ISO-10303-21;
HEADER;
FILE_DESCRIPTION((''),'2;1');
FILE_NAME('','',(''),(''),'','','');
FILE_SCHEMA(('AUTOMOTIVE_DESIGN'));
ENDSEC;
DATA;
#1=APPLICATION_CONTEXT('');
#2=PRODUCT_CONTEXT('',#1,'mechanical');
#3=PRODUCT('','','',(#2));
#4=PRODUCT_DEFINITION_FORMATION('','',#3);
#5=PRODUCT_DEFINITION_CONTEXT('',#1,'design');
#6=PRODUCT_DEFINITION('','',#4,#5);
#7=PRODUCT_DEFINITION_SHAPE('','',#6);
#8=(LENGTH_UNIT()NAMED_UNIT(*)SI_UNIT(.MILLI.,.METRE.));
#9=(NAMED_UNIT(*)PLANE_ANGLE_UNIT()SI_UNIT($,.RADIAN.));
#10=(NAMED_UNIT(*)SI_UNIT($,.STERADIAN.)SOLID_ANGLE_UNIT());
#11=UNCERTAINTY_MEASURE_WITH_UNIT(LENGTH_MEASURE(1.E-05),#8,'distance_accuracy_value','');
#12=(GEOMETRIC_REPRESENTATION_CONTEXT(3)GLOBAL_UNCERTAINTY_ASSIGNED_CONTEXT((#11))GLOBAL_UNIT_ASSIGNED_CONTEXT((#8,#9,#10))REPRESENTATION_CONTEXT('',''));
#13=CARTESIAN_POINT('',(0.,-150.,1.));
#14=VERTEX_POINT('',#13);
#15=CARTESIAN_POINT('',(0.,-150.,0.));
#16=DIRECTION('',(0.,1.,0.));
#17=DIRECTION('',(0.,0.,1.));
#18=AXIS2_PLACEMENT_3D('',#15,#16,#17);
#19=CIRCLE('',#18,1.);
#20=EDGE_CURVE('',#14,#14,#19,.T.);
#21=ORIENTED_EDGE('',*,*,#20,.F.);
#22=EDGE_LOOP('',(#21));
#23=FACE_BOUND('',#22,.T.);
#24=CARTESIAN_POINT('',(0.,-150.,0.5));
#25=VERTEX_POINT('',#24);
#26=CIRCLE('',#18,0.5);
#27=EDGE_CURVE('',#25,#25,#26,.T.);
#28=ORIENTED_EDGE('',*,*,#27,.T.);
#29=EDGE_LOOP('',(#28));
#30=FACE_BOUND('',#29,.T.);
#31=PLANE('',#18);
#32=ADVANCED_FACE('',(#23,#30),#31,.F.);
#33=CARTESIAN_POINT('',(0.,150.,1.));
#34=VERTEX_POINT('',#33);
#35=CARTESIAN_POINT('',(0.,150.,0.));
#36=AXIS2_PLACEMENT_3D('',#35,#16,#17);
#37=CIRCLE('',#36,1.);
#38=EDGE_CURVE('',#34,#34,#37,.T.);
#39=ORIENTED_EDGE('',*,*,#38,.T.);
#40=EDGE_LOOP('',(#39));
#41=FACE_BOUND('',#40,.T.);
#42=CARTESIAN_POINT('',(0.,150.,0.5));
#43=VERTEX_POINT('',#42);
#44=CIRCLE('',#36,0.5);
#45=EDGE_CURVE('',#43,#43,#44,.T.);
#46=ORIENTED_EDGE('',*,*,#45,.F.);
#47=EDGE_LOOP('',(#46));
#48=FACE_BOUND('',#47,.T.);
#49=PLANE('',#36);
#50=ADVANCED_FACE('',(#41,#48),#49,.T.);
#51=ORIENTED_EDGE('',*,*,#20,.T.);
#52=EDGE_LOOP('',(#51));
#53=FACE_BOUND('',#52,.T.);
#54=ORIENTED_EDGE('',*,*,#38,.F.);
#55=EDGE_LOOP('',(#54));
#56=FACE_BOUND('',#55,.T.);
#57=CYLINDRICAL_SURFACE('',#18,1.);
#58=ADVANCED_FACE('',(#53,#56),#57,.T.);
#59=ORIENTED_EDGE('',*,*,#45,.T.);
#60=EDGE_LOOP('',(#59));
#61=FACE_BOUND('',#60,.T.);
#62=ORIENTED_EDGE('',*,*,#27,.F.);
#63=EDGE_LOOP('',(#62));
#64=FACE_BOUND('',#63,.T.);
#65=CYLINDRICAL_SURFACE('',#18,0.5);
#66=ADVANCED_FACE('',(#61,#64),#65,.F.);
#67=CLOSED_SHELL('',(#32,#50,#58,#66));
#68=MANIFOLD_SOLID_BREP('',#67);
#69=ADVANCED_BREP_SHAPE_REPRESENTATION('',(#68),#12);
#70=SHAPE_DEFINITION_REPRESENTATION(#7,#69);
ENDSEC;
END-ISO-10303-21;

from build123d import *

# Parameters (mm, degrees)
BOSS_EXTRUDE1_DEPTH      = 150
BOSS_EXTRUDE1_DEPTH_BACK = 150
SKETCH1_R                = 1
SKETCH1_R_2              = 0.5


with BuildPart() as part:
    # Sketch1 → Boss-Extrude1 (new, two sides: drawn at the far end of the back side and taken through both)
    with BuildSketch(Plane(origin=(0, 0, 0), x_dir=(1, 0, 0), z_dir=(0, 1, 0)).offset(-BOSS_EXTRUDE1_DEPTH_BACK)):
        Circle(SKETCH1_R)
        Circle(SKETCH1_R_2, mode=Mode.SUBTRACT)
    extrude(amount=BOSS_EXTRUDE1_DEPTH + BOSS_EXTRUDE1_DEPTH_BACK)


solid = part.part
